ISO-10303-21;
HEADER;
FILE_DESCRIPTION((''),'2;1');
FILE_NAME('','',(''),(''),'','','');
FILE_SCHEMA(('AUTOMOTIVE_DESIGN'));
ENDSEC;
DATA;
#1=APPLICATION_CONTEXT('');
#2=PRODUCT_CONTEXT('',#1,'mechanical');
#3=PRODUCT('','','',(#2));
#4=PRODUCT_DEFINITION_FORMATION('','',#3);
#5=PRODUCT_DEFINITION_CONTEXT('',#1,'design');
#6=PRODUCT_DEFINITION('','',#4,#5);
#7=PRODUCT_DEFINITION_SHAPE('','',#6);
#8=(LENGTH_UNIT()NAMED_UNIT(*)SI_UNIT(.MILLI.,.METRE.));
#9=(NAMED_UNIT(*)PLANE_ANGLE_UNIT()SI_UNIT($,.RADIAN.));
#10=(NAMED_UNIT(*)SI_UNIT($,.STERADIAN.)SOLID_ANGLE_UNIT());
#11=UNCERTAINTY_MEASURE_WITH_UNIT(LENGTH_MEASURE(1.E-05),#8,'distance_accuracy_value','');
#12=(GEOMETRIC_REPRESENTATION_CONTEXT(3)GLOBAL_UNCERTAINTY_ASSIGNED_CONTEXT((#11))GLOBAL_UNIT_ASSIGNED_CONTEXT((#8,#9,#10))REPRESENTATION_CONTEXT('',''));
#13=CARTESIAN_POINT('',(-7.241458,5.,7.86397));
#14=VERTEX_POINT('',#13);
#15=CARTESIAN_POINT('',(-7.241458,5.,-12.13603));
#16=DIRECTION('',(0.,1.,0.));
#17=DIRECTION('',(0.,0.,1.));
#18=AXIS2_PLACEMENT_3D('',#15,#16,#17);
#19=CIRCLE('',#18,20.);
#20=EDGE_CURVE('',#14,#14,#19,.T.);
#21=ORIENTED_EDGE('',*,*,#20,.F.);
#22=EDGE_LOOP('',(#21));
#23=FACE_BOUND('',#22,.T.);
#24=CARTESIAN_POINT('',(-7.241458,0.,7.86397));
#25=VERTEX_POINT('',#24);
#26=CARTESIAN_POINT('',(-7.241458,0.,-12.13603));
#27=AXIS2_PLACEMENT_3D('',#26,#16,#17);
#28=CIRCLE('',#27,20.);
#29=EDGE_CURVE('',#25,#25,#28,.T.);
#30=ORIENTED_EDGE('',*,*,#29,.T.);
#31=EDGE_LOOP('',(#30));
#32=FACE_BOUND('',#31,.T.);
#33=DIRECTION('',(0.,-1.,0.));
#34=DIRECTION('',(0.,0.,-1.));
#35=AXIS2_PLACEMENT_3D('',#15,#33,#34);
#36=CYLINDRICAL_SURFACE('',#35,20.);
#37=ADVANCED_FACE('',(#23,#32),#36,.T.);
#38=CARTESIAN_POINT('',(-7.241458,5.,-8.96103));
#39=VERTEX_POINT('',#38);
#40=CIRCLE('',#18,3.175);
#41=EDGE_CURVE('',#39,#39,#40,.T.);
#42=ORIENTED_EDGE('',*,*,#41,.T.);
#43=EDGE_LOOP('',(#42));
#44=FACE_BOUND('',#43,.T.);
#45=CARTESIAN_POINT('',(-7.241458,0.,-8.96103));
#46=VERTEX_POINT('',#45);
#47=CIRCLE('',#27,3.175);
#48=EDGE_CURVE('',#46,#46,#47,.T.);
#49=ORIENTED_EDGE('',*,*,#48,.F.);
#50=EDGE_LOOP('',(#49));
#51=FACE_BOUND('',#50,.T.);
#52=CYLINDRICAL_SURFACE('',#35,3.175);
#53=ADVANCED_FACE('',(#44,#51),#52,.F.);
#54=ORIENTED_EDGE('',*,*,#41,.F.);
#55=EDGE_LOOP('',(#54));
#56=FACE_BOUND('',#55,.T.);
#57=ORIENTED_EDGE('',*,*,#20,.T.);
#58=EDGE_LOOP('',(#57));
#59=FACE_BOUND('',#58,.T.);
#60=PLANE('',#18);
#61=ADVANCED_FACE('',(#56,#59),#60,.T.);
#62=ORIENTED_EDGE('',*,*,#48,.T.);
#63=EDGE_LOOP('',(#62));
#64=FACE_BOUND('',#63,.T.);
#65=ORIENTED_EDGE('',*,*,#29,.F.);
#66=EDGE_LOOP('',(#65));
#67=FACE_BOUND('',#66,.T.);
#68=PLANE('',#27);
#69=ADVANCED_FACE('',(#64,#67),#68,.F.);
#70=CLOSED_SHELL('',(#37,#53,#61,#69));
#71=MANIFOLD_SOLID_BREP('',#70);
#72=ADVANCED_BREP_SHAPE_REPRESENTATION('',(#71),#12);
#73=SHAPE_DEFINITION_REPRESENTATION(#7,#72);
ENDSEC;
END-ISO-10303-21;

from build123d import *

# Parameters (mm, degrees)
ESQUISSE2_R        = 20
ESQUISSE2_R_2      = 3.175
BOSS_EXTRU_1_DEPTH = 5


with BuildPart() as part:
    # Esquisse2 → Boss.-Extru.1 (new body)
    with BuildSketch(Plane(origin=(0, 0, 0), x_dir=(1, 0, 0), z_dir=(0, 1, 0))):
        with Locations((-7.24145811, 12.136030241)):
            Circle(ESQUISSE2_R)
        with Locations((-7.24145811, 12.136030241)):
            Circle(ESQUISSE2_R_2, mode=Mode.SUBTRACT)
    extrude(amount=BOSS_EXTRU_1_DEPTH)


solid = part.part
